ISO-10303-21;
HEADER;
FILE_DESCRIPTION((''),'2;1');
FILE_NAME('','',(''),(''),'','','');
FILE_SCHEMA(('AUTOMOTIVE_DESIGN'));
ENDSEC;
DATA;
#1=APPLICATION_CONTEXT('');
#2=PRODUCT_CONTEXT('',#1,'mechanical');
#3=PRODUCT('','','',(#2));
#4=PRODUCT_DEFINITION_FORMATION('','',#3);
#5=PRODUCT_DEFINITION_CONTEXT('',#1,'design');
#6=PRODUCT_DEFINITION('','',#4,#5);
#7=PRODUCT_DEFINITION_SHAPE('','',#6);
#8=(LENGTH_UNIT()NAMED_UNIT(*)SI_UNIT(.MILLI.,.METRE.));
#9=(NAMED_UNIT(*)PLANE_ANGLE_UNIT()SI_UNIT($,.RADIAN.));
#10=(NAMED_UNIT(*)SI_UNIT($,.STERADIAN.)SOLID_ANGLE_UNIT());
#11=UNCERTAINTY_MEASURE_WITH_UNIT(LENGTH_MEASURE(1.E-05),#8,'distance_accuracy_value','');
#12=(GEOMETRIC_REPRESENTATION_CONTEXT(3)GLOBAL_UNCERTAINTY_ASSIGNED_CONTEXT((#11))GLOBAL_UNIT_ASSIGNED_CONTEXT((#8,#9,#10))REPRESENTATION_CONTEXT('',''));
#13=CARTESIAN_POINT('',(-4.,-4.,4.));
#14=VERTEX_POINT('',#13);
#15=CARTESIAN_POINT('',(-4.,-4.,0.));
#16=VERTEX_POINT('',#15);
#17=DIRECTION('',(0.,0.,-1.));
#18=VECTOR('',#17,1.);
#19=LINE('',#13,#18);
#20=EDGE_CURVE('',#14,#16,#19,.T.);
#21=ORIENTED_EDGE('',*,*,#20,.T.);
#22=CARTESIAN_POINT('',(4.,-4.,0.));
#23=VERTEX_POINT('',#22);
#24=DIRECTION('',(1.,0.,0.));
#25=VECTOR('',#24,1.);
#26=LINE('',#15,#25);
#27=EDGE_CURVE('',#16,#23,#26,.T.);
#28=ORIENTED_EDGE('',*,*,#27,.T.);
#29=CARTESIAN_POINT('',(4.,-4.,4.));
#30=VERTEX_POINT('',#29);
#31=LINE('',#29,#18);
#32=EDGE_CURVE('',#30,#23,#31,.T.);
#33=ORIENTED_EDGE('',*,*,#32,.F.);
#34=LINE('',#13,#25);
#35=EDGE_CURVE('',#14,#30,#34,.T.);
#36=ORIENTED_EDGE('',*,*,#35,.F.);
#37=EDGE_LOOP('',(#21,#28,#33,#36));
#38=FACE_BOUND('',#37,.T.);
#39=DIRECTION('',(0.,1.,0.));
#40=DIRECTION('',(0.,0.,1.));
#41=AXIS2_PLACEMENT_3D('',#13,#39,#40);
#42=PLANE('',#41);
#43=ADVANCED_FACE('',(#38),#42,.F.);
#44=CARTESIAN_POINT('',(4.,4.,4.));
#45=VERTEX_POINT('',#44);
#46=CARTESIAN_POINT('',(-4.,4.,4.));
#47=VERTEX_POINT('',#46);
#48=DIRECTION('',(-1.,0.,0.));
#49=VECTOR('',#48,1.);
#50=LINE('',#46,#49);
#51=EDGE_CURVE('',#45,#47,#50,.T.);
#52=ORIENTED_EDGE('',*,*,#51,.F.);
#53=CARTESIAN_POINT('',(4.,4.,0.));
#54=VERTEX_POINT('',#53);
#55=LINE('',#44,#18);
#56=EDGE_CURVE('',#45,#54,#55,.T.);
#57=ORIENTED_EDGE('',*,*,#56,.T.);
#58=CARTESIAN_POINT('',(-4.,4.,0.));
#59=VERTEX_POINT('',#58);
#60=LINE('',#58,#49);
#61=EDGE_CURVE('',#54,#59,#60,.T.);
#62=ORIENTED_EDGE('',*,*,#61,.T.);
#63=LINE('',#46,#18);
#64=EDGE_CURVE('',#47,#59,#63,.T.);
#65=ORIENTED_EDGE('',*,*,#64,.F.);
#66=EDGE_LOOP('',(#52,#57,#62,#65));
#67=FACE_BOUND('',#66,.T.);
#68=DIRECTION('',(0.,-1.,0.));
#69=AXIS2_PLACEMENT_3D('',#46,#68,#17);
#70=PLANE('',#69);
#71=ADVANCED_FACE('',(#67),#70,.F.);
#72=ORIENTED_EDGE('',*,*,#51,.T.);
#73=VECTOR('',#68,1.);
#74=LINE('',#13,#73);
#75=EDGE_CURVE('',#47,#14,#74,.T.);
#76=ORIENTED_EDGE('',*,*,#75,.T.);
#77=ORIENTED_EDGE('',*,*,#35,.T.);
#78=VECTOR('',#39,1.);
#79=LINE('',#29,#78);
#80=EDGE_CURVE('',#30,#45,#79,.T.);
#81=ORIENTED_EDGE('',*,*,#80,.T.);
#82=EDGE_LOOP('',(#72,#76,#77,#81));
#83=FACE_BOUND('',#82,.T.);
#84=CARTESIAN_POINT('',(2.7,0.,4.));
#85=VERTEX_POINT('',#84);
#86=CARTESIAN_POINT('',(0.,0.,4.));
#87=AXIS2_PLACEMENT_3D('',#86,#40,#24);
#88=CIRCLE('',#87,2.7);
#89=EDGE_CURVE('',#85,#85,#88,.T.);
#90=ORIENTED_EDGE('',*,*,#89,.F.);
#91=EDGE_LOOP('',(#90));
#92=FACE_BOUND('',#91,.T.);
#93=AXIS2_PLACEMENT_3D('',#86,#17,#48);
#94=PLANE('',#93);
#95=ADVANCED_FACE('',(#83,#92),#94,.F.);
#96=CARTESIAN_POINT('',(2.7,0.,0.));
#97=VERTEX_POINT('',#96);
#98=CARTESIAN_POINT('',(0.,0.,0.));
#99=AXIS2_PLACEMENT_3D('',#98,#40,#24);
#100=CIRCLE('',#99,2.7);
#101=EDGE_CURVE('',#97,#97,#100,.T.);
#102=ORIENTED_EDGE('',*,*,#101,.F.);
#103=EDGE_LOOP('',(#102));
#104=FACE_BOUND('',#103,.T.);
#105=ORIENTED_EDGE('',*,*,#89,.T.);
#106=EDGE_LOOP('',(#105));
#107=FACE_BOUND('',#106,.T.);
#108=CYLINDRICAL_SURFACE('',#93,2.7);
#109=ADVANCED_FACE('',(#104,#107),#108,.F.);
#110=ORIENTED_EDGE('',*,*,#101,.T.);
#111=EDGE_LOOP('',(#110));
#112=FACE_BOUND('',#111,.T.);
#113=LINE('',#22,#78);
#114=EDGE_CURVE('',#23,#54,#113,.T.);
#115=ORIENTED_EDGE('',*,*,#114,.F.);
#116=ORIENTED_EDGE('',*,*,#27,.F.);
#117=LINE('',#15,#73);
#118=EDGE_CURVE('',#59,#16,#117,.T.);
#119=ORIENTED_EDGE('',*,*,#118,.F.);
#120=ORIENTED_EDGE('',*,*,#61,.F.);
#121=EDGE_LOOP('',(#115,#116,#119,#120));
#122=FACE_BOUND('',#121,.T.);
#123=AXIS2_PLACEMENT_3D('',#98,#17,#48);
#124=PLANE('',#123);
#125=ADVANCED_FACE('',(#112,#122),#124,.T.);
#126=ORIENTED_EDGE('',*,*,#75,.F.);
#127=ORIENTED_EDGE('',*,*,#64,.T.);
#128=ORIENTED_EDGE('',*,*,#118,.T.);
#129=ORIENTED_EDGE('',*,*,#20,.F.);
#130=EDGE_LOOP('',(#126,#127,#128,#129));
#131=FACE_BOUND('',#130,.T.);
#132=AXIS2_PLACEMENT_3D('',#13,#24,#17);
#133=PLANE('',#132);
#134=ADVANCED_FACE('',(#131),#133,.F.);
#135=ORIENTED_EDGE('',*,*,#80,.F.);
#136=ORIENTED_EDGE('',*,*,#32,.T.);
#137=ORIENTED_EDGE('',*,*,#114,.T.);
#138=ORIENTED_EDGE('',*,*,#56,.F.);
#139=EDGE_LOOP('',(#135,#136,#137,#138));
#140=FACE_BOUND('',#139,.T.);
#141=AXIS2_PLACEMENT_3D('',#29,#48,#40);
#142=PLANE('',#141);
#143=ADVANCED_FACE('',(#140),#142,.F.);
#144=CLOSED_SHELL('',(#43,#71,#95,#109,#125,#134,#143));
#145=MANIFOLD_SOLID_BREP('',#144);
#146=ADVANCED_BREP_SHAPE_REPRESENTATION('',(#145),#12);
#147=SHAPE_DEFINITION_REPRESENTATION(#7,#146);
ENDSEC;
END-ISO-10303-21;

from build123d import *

# Parameters (mm, degrees)
SKETCH2_W                       = 8
SKETCH2_H                       = 8
REFERENCE_SQUARE_NUT_DEPTH      = 4
SKETCH3_R                       = 2.7
SIMPLIFIED_CLEARANCE_BORE_DEPTH = 4


with BuildPart() as part:
    # Sketch2 → Reference_square_nut (new body)
    with BuildSketch(Plane.XY):
        Rectangle(SKETCH2_W, SKETCH2_H)
    extrude(amount=REFERENCE_SQUARE_NUT_DEPTH)

    # Sketch3 → Simplified_clearance_bore (cut)
    with BuildSketch(Plane.XY):
        Circle(SKETCH3_R)
    extrude(amount=SIMPLIFIED_CLEARANCE_BORE_DEPTH, mode=Mode.SUBTRACT)


solid = part.part
